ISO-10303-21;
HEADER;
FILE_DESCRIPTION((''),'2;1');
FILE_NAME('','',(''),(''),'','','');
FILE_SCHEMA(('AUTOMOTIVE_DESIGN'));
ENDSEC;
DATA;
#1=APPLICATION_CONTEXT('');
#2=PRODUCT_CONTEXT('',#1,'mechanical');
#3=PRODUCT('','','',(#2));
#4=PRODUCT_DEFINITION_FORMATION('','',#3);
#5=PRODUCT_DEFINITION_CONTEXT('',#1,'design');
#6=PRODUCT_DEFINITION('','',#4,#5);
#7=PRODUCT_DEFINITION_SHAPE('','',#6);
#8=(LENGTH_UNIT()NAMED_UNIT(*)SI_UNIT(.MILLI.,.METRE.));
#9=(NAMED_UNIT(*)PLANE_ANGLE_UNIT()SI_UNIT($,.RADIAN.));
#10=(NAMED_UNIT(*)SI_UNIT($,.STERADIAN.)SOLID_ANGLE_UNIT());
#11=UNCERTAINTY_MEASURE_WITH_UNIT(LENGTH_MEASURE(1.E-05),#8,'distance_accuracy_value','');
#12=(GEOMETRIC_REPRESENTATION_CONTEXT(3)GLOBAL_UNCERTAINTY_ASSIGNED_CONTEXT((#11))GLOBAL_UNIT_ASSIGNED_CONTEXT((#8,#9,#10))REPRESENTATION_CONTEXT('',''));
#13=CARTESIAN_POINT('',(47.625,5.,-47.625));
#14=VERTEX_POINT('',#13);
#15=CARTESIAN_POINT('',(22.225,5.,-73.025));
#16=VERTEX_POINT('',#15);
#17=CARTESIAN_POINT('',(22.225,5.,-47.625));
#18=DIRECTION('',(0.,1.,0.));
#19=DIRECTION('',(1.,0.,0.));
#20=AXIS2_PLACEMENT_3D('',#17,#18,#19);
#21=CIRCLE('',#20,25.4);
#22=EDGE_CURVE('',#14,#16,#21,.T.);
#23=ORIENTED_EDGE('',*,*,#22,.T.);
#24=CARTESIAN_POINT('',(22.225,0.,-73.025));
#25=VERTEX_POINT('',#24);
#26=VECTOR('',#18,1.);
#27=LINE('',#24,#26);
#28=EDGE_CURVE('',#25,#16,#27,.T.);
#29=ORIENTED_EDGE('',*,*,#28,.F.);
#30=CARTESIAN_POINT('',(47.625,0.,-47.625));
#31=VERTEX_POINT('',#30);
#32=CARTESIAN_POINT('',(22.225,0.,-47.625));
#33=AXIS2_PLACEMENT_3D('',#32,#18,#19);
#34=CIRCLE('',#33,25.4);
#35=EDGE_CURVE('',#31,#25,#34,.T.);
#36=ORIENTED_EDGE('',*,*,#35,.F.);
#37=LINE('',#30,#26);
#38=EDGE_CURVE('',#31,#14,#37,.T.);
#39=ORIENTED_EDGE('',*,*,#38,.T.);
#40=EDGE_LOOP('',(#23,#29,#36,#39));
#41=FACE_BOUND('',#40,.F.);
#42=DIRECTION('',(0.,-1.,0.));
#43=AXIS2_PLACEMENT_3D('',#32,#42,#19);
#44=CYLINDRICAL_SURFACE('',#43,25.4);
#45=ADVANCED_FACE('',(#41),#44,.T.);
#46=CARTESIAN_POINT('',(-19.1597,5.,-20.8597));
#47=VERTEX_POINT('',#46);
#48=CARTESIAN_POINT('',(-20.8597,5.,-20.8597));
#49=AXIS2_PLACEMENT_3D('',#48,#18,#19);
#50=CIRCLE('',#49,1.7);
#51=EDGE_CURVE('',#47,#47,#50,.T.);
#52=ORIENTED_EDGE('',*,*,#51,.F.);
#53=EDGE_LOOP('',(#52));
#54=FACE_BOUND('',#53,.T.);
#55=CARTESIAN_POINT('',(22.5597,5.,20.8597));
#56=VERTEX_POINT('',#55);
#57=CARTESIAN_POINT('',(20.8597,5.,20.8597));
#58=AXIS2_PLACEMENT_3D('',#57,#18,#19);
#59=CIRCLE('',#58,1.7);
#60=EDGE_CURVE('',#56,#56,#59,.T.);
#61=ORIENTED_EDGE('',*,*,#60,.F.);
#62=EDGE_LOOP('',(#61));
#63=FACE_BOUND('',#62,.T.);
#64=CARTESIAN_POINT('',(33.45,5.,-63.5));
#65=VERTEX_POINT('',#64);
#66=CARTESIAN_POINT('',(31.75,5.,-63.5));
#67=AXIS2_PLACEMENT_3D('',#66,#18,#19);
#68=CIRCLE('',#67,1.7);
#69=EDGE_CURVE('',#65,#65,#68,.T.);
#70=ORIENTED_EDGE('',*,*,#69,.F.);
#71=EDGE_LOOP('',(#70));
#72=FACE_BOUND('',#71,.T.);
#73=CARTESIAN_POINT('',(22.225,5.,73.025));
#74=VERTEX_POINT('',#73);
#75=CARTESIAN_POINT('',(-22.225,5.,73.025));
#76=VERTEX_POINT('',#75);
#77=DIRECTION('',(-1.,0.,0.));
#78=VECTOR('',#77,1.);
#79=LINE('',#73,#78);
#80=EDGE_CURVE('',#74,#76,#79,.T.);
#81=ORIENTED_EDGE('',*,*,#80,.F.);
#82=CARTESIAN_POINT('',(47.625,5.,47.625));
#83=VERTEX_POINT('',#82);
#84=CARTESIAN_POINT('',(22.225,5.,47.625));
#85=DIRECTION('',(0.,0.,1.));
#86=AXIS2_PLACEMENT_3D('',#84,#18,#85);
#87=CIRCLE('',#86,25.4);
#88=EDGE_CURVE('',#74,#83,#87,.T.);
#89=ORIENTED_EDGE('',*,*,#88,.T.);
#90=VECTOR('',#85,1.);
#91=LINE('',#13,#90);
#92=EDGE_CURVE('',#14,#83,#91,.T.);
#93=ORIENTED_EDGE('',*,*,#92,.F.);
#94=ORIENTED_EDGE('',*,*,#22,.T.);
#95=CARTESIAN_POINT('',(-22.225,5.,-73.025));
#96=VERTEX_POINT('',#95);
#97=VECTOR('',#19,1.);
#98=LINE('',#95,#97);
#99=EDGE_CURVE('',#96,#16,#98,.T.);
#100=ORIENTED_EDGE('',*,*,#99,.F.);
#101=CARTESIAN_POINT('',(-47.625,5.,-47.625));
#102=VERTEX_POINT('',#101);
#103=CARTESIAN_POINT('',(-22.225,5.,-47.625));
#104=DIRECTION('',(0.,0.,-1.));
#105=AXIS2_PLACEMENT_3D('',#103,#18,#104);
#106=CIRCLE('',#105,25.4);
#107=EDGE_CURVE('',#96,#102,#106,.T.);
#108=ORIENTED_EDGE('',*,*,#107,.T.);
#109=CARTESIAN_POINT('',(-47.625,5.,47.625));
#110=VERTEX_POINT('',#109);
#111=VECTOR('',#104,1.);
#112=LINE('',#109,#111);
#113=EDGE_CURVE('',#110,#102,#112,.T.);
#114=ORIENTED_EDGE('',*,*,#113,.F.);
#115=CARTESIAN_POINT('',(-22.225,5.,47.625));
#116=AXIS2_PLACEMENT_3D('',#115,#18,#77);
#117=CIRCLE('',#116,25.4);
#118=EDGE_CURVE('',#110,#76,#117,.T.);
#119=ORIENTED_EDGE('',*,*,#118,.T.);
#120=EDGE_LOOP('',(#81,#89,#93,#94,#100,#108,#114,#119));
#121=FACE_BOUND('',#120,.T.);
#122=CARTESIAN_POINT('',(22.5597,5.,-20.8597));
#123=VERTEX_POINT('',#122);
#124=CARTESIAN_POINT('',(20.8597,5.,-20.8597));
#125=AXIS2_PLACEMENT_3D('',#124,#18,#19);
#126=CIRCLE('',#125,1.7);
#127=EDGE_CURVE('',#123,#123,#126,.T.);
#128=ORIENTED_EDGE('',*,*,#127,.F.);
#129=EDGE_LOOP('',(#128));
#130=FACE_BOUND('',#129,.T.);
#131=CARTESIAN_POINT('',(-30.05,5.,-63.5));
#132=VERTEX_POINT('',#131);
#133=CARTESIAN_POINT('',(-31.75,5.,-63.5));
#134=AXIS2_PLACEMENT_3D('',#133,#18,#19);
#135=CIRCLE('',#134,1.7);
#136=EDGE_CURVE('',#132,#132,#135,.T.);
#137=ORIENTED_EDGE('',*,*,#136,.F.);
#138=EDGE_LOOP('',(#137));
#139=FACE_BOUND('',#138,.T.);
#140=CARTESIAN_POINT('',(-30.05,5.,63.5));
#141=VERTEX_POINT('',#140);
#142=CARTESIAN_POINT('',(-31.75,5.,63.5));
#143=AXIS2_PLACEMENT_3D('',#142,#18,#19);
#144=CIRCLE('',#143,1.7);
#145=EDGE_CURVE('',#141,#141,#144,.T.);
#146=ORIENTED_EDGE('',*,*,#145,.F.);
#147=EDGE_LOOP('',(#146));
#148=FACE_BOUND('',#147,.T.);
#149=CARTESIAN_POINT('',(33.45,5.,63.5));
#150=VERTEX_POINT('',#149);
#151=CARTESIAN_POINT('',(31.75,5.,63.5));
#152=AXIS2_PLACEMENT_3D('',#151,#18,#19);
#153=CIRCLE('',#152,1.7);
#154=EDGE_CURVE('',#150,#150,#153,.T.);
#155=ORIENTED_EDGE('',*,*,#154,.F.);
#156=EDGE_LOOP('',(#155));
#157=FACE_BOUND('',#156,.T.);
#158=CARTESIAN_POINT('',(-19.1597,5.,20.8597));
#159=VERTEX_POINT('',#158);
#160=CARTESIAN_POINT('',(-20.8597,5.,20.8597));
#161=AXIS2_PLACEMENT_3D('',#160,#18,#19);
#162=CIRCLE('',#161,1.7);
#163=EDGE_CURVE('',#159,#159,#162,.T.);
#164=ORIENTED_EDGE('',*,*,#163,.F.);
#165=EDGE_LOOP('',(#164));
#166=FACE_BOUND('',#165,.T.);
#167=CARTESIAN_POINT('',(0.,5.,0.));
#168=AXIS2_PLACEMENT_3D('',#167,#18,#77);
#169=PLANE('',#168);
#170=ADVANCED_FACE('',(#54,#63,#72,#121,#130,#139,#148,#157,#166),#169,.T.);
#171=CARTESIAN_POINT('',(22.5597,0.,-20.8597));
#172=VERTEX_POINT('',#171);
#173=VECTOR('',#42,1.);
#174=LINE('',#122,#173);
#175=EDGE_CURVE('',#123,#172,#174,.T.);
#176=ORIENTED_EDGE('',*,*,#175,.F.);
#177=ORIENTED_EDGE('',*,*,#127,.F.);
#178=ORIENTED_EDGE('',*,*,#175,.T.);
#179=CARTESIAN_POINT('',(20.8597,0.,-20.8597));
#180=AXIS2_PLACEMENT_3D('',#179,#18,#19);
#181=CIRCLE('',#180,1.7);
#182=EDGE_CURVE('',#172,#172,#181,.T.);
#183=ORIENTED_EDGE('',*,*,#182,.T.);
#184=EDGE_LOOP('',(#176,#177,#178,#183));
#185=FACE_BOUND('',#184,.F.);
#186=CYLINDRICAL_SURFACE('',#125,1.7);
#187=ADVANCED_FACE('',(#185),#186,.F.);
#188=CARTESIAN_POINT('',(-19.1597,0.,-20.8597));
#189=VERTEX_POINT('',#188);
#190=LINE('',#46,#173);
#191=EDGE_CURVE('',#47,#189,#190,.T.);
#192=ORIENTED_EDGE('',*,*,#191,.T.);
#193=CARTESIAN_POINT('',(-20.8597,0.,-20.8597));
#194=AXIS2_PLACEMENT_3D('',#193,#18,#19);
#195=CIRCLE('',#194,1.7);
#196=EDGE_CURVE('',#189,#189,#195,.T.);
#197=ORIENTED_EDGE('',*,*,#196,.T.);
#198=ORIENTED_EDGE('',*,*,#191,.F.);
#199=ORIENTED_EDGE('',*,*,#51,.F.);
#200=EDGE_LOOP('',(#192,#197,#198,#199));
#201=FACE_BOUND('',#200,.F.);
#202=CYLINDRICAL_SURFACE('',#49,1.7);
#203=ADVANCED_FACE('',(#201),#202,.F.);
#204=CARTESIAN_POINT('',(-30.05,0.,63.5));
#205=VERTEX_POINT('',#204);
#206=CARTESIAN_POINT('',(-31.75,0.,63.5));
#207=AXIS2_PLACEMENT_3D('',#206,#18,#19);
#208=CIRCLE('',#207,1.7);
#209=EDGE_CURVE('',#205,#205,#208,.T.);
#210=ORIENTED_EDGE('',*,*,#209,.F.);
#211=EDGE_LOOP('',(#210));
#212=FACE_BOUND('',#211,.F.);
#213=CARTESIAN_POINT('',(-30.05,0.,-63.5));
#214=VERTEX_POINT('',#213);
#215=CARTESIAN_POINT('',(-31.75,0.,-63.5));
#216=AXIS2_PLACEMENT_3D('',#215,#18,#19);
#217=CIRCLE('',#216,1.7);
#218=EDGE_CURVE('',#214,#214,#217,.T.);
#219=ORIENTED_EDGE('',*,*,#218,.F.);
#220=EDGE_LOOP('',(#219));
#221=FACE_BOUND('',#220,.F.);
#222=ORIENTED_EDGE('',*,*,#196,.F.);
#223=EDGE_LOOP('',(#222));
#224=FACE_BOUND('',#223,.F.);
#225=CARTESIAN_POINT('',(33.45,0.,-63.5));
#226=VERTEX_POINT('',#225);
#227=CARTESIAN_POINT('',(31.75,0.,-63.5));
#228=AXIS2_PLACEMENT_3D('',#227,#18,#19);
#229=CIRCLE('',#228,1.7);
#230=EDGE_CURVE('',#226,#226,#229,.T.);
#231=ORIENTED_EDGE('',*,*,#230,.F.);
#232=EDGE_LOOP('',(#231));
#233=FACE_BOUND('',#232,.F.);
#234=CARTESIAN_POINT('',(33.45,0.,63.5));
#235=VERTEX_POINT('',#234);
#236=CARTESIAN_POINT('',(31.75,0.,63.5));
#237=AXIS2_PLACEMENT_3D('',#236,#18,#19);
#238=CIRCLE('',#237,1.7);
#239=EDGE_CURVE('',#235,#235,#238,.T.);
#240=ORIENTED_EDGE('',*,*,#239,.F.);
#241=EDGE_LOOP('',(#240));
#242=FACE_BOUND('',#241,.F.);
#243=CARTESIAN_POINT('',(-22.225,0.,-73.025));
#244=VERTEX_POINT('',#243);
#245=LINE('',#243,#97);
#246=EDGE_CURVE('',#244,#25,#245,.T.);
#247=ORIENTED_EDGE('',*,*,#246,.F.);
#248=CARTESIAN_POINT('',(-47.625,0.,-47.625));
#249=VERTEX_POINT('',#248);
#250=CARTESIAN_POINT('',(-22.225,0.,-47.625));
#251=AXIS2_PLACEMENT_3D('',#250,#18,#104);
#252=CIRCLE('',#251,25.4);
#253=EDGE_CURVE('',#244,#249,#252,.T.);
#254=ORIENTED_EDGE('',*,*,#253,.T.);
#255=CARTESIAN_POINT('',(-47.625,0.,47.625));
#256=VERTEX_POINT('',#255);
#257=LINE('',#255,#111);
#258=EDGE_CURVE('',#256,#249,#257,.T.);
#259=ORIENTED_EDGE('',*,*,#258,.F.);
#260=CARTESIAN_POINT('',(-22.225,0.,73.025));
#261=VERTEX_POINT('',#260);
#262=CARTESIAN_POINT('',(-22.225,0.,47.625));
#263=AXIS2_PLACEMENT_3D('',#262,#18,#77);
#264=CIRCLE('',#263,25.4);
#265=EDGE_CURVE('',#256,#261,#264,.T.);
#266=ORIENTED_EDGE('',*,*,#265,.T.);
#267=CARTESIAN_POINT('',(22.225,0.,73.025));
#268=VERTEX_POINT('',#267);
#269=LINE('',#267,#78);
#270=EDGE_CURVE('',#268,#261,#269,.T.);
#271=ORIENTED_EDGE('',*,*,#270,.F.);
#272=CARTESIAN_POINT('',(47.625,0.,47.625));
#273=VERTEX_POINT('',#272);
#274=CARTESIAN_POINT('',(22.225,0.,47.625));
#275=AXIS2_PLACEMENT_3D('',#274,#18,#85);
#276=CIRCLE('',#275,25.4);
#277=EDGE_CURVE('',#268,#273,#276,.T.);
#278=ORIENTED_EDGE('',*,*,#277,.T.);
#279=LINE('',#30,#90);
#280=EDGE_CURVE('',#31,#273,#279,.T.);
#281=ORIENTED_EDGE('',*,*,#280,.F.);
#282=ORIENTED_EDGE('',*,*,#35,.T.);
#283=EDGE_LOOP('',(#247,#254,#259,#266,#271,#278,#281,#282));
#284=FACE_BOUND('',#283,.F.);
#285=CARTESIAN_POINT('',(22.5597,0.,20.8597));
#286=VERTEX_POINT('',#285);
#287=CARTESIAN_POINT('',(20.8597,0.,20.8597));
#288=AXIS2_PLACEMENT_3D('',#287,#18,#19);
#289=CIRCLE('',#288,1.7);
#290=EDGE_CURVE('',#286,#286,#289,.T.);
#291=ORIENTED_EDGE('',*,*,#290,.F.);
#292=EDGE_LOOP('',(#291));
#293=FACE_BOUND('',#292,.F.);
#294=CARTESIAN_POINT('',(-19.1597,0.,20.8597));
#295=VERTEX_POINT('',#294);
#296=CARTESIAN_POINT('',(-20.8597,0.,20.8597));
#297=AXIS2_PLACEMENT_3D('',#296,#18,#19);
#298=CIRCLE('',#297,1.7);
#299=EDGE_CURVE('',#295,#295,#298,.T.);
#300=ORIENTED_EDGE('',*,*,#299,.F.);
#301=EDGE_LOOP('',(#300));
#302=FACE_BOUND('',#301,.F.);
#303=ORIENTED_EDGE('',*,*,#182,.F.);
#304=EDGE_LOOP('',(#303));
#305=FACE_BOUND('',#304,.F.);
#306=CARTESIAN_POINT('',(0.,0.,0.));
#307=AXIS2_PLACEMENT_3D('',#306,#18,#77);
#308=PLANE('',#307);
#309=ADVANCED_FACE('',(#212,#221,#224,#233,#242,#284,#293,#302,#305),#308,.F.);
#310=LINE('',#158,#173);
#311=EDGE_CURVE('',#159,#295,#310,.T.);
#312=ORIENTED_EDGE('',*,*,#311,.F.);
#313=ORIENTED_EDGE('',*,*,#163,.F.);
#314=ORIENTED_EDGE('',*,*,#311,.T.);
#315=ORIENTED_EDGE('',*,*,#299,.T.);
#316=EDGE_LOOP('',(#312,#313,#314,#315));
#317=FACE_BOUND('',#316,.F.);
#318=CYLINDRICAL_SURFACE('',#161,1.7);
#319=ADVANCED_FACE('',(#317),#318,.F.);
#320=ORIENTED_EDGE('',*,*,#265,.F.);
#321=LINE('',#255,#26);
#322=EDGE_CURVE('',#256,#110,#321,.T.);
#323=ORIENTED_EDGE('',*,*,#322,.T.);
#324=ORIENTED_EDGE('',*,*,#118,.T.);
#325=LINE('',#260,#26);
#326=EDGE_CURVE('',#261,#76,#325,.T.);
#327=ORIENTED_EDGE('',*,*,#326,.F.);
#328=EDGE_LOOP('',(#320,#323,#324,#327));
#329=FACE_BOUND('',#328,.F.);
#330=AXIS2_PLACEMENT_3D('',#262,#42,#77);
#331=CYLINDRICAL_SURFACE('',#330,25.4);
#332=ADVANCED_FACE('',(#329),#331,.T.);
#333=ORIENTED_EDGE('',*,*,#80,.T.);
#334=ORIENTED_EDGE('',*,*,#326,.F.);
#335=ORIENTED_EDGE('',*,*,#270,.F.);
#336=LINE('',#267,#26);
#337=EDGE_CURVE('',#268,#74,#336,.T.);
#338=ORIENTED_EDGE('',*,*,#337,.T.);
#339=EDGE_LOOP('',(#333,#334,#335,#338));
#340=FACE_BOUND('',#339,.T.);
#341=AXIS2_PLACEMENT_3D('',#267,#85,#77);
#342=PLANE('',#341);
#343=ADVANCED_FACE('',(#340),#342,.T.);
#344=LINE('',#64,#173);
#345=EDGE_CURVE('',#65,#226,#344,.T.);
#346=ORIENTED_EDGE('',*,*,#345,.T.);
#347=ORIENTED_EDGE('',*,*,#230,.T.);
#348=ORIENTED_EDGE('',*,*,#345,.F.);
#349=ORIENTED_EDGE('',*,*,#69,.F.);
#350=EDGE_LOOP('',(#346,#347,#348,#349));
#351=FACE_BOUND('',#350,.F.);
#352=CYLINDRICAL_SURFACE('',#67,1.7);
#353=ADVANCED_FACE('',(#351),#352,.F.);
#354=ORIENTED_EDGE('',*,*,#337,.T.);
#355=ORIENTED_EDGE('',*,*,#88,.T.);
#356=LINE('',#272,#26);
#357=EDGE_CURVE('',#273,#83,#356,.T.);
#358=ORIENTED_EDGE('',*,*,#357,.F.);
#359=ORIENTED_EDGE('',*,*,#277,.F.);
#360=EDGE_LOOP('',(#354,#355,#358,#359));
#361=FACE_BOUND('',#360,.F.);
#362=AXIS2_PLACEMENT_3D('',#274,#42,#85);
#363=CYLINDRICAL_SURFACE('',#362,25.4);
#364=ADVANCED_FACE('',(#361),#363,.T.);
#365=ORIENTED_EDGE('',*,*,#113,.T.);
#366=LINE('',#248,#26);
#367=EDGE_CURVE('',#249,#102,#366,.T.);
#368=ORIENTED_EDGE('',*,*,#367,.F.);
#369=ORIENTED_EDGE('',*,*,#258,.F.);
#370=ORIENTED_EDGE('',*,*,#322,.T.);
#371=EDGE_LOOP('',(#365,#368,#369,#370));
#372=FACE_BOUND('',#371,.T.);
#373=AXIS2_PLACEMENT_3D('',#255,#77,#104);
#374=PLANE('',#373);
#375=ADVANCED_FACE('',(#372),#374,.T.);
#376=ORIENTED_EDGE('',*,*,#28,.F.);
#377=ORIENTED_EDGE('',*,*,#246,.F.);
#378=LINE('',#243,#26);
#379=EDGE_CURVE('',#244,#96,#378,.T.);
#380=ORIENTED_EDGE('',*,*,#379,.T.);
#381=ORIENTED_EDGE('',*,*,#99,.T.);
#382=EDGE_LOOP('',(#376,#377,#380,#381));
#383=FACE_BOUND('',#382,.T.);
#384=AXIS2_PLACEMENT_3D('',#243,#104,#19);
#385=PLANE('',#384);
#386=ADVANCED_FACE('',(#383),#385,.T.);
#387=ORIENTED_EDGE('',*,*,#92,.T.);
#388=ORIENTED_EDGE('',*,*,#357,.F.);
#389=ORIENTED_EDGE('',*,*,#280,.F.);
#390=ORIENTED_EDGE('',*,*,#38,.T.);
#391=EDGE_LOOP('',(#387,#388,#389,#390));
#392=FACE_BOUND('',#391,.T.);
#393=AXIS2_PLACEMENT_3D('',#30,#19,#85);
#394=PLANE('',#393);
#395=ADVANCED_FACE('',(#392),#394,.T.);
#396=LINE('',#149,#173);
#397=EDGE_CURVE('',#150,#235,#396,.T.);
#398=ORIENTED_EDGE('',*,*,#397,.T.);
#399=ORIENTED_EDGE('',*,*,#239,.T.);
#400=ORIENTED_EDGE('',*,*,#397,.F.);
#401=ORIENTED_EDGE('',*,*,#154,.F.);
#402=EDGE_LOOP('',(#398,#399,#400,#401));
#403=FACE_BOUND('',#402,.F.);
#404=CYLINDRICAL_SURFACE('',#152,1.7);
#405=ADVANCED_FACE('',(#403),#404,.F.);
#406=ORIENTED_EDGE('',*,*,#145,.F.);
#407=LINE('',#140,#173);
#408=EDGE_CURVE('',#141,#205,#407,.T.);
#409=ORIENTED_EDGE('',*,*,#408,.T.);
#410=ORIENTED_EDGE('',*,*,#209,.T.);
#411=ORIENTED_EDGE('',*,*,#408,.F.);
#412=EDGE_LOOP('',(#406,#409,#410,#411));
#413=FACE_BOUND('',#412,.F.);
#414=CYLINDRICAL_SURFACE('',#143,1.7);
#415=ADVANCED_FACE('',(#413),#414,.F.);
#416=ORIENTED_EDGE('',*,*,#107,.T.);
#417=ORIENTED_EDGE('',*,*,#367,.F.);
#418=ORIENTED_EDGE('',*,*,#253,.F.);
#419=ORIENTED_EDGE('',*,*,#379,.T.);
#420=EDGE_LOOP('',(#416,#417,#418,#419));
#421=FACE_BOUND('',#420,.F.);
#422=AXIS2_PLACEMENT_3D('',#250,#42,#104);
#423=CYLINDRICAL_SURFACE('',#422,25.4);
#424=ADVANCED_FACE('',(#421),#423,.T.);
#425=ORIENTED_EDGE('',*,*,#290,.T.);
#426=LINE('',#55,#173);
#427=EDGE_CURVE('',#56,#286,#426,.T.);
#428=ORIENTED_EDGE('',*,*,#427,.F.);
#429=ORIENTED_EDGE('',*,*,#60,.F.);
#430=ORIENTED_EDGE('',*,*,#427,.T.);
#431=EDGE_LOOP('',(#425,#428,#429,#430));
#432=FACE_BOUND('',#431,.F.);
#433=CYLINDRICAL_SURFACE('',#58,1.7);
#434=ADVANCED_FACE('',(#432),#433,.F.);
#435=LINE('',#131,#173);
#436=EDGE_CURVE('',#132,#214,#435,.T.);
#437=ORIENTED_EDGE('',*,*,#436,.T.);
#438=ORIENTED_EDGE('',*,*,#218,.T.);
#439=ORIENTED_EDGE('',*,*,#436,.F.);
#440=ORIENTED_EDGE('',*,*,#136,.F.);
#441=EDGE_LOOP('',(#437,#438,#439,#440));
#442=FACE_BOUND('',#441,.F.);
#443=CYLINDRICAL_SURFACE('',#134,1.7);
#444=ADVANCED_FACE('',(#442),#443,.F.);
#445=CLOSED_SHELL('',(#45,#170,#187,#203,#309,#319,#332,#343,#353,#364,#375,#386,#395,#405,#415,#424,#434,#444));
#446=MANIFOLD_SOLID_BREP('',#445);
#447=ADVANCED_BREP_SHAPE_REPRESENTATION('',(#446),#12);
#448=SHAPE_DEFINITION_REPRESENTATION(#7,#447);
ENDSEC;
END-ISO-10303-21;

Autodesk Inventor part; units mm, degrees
ref_plane "YZ Plane" through (0, 0, 0) normal (1, 0, 0) x (0, 1, 0)
ref_plane "XZ Plane" through (0, 0, 0) normal (0, 1, 0) x (-1, 0, 0)
ref_plane "XY Plane" through (0, 0, 0) normal (0, 0, 1) x (1, 0, 0)
sketch "Sketch1" plane through (0, 0, 0) normal (0, 1, 0) x (-1, 0, 0)
  line L0 (-22.225, 73.025) -> (22.225, 73.025)
  line L1 (47.625, 47.625) -> (47.625, -47.625)
  line L2 (22.225, -73.025) -> (-22.225, -73.025)
  line L3 (-47.625, -47.625) -> (-47.625, 47.625)
  line L4 (-47.625, 73.025) -> (47.625, -73.025) construction
  line L5 (47.625, 73.025) -> (-47.625, -73.025) construction
  arc A0 (22.225, -73.025) -> (47.625, -47.625) centre (22.225, -47.625) ccw
  arc A1 (-47.625, -47.625) -> (-22.225, -73.025) centre (-22.225, -47.625) ccw
  arc A2 (-22.225, 73.025) -> (-47.625, 47.625) centre (-22.225, 47.625) ccw
  arc A3 (47.625, 47.625) -> (22.225, 73.025) centre (22.225, 47.625) ccw
  point P0 (0, 0)
  dimension "d11" = 95.25
  dimension "d12" = 146.05
  dimension "d13" = 25.4
extrude "Extrusion1" add sketch "Sketch1" along normal blind 5
sketch "Sketch3" plane through (0, 5, 0) normal (0, 1, 0) x (1, 0, 0)
  circle A0 centre (-31.75, -63.5) radius 1.7
  line L0 (-47.625, 47.625) -> (-47.625, -47.625) construction
  line L1 (-47.625, 0) -> (47.625, 0) construction
  line L2 (47.625, -47.625) -> (47.625, 47.625) construction
  line L3 (0, -72.5867) -> (0, 73.025) construction
  line L4 (22.225, 73.025) -> (-22.225, 73.025) construction
  circle A1 centre (-31.75, 63.5) radius 1.7
  circle A2 centre (31.75, -63.5) radius 1.7
  circle A3 centre (31.75, 63.5) radius 1.7
  point P0 (0, 0)
  dimension "d14" = 3.4
  dimension "d15" = 63.5
  dimension "d16" = 31.75
extrude "Standoffs" cut sketch "Sketch3" against normal through all
sketch "Sketch4" plane through (0, 5, 0) normal (0, 1, 0) x (1, 0, 0)
  circle A0 centre (-20.8597, -20.8597) radius 1.7
  line L0 (-47.625, 47.625) -> (-47.625, -47.625) construction
  line L1 (-47.625, 0) -> (47.625, 0) construction
  line L2 (47.625, -47.625) -> (47.625, 47.625) construction
  line L3 (-22.225, -73.025) -> (22.225, -73.025) construction
  line L4 (0, -73.025) -> (0, 73.025) construction
  line L5 (22.225, 73.025) -> (-22.225, 73.025) construction
  line L6 (-20.8597, -20.8597) -> (0, 0) construction
  circle A1 centre (-20.8597, 20.8597) radius 1.7
  circle A2 centre (20.8597, -20.8597) radius 1.7
  circle A3 centre (20.8597, 20.8597) radius 1.7
  dimension "d19" = 3.4
  dimension "d20" = 45
  dimension "d21" = 29.5
extrude "LiDAR Mounts" cut sketch "Sketch4" against normal through all
equation "\"d3\" = hardboard_thickness"
equation "\"d14\" = m3_clearance"
equation "\"d19\" = m3_clearance"
equation "\"m3_heat_set_insert\" = 4"
equation "\"m3_clearance\" = 3.4"
equation "\"m3_heat_set_depth\" = 7"
equation "\"robot_diameter\" = 354"
equation "\"hardboard_thickness\" = 5"
properties part number "LiDAR_plate"
